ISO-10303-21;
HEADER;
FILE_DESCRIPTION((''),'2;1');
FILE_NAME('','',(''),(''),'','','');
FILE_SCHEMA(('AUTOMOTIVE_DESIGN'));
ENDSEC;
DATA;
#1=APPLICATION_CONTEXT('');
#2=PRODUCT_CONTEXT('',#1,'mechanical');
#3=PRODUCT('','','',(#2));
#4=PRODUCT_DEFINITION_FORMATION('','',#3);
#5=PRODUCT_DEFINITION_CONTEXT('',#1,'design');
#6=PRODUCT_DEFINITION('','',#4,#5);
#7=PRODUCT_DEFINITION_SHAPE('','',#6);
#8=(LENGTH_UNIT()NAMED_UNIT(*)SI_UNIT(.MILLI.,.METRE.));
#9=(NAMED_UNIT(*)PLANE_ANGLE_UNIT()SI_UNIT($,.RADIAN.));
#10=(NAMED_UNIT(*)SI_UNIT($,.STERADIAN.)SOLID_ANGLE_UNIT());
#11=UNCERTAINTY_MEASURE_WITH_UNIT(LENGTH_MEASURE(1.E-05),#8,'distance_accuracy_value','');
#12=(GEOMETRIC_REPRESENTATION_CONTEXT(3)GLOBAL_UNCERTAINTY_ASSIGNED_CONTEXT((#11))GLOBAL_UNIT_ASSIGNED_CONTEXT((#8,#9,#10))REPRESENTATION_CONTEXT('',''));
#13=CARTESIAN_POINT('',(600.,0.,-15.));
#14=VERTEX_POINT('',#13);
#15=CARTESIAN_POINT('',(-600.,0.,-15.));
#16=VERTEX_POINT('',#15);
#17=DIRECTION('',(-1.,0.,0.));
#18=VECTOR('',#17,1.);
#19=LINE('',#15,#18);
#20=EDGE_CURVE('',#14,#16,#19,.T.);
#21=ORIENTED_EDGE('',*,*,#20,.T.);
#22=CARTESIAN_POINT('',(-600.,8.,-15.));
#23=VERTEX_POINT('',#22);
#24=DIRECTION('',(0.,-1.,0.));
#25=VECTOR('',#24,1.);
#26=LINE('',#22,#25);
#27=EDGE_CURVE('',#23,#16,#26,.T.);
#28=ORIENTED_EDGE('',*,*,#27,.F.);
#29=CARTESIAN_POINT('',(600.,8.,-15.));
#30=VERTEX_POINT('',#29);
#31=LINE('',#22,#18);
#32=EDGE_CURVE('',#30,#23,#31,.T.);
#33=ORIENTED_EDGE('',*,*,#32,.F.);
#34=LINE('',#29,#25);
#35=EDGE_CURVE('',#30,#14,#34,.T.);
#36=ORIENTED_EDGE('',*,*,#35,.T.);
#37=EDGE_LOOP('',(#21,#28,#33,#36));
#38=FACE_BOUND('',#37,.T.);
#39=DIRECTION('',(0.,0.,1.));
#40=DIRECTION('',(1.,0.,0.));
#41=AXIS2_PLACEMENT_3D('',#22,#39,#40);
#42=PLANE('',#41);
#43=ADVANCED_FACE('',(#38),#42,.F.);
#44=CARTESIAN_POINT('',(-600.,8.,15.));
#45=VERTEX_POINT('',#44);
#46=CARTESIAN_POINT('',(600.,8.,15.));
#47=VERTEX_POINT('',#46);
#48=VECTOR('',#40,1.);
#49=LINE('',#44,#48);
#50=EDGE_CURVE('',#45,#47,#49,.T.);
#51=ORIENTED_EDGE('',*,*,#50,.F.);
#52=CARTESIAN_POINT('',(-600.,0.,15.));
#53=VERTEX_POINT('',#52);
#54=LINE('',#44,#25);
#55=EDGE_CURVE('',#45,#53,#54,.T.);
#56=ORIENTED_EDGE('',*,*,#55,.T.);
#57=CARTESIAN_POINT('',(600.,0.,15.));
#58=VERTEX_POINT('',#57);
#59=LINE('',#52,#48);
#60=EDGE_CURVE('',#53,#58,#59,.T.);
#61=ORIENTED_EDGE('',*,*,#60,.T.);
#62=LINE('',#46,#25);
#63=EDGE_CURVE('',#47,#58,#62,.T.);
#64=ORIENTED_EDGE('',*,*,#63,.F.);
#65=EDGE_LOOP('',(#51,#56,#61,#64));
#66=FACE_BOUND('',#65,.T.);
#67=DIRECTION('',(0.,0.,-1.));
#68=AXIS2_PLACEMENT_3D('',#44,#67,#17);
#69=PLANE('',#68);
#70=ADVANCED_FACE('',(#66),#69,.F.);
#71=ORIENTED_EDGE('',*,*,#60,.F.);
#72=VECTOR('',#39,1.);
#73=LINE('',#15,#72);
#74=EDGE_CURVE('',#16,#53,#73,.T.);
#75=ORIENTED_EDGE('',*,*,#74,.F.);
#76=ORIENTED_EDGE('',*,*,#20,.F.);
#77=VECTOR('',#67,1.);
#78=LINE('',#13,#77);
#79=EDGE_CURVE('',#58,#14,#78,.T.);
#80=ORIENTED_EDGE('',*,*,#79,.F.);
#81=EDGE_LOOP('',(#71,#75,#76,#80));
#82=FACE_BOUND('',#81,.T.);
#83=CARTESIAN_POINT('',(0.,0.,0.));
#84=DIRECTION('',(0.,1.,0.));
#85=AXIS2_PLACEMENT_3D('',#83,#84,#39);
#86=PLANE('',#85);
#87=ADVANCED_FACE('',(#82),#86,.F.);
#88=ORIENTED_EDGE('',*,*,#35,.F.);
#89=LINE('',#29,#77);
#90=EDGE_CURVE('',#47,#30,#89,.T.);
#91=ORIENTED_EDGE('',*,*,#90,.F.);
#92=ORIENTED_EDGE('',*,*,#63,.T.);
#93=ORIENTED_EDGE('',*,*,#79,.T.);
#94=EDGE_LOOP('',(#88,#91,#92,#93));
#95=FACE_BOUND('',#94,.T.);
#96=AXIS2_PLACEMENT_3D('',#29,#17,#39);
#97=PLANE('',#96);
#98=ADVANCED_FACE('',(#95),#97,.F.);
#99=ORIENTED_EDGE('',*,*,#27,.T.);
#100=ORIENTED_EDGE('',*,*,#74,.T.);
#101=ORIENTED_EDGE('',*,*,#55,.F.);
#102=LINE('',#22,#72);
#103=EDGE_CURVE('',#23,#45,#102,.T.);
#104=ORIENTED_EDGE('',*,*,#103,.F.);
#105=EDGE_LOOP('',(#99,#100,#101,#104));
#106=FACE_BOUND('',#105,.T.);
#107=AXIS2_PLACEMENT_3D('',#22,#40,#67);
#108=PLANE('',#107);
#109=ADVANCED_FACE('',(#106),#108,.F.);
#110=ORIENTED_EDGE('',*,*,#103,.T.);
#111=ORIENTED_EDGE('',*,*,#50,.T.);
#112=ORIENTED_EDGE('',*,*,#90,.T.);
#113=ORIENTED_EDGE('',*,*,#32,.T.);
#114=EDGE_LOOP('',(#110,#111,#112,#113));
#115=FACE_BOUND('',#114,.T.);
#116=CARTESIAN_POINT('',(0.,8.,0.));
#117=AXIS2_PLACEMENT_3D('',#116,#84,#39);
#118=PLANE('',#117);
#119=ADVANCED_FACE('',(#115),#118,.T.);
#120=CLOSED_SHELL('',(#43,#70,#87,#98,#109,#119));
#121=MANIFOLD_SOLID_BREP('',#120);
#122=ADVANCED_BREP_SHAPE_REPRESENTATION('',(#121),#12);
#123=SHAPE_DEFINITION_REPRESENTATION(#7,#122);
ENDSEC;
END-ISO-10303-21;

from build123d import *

# Parameters (mm, degrees)
SKETCH_1_W      = 1200
SKETCH_1_H      = 30
EXTRUDE_1_DEPTH = 8


with BuildPart() as part:
    # Эскиз1 → Бобышка-Вытянуть1 (new body)
    with BuildSketch(Plane(origin=(0, 0, 0), x_dir=(1, 0, 0), z_dir=(0, 1, 0))):
        Rectangle(SKETCH_1_W, SKETCH_1_H)
    extrude(amount=EXTRUDE_1_DEPTH)


solid = part.part
